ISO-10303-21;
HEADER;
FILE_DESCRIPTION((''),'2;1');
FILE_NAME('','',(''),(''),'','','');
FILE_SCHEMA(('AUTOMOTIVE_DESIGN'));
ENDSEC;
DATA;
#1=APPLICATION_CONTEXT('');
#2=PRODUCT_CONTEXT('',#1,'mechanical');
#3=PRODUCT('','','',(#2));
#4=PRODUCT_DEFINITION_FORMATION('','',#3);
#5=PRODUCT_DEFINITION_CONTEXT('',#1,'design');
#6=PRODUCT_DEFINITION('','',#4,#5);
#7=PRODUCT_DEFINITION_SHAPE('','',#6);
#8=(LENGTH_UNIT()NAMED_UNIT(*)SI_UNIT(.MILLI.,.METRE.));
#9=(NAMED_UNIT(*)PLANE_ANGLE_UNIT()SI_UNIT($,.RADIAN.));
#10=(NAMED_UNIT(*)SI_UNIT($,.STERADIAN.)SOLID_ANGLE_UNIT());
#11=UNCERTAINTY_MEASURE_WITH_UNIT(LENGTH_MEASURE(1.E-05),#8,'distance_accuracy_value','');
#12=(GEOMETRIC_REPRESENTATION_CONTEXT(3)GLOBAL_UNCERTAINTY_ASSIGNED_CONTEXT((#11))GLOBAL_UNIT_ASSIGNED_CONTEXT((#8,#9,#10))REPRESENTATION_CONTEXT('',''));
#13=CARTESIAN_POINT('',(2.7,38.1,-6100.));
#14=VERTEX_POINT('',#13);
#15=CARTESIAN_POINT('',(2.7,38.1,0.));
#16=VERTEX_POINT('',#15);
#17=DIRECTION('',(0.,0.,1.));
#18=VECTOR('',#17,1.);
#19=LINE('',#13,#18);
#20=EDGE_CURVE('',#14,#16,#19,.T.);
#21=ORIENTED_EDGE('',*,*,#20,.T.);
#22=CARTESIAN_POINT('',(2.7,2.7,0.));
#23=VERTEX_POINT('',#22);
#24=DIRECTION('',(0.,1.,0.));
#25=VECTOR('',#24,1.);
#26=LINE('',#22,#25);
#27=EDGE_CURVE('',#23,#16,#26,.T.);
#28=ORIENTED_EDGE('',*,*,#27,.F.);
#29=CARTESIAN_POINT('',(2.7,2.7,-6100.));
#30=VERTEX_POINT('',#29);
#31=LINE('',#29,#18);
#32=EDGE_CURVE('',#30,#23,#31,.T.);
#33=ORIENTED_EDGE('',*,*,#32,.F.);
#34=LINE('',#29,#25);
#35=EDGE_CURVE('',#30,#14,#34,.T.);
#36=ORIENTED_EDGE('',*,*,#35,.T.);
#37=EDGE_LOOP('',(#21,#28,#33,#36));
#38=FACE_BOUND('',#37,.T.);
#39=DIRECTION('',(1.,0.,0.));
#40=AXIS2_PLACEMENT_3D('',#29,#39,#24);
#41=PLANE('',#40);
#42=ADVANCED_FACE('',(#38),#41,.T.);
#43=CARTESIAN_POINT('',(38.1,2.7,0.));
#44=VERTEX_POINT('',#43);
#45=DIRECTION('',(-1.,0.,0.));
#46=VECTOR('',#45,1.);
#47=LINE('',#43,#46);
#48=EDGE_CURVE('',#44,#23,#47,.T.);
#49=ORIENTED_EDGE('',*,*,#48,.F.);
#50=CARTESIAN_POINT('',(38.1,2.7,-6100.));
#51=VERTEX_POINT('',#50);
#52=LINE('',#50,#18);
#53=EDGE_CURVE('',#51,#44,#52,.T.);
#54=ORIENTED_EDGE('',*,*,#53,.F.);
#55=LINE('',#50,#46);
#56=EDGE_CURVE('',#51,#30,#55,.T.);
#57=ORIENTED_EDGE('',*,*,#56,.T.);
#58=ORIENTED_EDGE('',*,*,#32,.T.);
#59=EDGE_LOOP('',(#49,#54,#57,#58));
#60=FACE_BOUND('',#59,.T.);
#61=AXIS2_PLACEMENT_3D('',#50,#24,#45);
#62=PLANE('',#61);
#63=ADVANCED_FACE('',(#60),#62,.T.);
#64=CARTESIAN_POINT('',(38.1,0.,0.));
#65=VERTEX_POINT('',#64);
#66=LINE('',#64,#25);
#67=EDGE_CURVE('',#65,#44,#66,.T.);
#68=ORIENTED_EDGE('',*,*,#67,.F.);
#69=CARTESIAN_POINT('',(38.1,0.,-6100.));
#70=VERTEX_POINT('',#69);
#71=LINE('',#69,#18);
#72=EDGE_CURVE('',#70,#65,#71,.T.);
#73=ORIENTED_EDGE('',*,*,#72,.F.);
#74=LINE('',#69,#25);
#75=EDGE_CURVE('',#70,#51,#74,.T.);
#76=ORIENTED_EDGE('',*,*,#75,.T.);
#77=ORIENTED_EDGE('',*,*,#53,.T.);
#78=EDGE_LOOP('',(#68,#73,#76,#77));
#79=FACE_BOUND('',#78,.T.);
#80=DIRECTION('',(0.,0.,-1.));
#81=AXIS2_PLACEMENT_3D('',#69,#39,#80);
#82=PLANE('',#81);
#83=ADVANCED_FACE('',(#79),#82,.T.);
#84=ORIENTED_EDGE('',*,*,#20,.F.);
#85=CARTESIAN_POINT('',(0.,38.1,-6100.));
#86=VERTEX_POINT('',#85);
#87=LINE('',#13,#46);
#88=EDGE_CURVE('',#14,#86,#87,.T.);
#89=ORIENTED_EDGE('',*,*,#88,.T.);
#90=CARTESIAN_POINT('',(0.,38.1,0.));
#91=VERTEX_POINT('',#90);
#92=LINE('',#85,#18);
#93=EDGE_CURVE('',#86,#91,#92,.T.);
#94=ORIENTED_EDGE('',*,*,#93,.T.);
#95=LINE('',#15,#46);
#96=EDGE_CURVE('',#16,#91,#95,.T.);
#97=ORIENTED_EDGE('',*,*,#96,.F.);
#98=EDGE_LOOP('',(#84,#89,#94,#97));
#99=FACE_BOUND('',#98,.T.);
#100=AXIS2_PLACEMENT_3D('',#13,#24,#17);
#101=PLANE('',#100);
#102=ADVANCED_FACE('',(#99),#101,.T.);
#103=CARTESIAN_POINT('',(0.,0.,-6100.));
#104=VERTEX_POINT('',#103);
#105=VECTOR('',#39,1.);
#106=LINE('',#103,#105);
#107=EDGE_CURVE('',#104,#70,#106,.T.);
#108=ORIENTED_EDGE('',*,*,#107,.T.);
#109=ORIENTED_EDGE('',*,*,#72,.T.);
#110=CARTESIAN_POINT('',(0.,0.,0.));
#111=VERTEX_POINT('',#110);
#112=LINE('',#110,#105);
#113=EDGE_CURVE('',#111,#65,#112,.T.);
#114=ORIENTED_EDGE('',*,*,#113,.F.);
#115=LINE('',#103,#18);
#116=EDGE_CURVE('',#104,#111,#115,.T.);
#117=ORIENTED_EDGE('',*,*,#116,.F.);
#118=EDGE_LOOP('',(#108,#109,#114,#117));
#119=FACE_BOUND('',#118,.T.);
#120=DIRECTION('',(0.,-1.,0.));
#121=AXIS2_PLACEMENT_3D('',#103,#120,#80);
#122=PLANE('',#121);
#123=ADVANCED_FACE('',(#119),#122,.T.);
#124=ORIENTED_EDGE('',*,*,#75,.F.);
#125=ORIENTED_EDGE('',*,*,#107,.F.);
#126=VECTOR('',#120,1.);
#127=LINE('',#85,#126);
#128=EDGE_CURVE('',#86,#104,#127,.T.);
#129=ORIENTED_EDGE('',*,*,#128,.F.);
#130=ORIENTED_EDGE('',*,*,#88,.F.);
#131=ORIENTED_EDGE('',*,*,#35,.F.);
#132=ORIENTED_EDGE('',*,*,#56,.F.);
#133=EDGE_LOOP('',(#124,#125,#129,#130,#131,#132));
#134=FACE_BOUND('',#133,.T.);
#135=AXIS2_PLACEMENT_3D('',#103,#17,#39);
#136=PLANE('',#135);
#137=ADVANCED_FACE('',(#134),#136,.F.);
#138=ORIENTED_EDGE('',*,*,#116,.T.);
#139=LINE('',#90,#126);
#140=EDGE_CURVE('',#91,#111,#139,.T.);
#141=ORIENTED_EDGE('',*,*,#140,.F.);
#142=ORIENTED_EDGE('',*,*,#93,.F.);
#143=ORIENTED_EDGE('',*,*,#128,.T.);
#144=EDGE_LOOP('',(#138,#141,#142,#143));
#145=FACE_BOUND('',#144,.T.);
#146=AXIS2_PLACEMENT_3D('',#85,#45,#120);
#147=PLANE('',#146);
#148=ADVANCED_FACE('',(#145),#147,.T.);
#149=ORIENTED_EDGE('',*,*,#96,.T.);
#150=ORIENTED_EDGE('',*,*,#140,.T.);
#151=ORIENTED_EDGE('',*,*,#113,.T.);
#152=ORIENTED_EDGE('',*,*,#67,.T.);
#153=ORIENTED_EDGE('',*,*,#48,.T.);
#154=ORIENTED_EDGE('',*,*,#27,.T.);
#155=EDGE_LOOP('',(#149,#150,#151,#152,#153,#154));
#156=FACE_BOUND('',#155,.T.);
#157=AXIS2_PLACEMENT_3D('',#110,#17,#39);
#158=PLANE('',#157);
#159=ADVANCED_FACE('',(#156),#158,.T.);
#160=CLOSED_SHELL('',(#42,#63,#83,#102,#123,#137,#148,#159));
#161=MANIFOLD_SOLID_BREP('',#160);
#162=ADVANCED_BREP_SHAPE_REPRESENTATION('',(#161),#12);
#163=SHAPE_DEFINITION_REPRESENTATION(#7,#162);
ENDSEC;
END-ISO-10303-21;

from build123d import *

# Parameters (mm, degrees)
SALIENTE_EXTRUIR1_DEPTH = 6100


with BuildPart() as part:
    # Croquis1 → Saliente-Extruir1 (new body)
    with BuildSketch(Plane.XY):
        Polygon((0, 38.1), (0, 0), (38.1, 0), (38.1, 2.7), (2.7, 2.7), (2.7, 38.1), align=None)
    extrude(amount=-SALIENTE_EXTRUIR1_DEPTH)


solid = part.part
